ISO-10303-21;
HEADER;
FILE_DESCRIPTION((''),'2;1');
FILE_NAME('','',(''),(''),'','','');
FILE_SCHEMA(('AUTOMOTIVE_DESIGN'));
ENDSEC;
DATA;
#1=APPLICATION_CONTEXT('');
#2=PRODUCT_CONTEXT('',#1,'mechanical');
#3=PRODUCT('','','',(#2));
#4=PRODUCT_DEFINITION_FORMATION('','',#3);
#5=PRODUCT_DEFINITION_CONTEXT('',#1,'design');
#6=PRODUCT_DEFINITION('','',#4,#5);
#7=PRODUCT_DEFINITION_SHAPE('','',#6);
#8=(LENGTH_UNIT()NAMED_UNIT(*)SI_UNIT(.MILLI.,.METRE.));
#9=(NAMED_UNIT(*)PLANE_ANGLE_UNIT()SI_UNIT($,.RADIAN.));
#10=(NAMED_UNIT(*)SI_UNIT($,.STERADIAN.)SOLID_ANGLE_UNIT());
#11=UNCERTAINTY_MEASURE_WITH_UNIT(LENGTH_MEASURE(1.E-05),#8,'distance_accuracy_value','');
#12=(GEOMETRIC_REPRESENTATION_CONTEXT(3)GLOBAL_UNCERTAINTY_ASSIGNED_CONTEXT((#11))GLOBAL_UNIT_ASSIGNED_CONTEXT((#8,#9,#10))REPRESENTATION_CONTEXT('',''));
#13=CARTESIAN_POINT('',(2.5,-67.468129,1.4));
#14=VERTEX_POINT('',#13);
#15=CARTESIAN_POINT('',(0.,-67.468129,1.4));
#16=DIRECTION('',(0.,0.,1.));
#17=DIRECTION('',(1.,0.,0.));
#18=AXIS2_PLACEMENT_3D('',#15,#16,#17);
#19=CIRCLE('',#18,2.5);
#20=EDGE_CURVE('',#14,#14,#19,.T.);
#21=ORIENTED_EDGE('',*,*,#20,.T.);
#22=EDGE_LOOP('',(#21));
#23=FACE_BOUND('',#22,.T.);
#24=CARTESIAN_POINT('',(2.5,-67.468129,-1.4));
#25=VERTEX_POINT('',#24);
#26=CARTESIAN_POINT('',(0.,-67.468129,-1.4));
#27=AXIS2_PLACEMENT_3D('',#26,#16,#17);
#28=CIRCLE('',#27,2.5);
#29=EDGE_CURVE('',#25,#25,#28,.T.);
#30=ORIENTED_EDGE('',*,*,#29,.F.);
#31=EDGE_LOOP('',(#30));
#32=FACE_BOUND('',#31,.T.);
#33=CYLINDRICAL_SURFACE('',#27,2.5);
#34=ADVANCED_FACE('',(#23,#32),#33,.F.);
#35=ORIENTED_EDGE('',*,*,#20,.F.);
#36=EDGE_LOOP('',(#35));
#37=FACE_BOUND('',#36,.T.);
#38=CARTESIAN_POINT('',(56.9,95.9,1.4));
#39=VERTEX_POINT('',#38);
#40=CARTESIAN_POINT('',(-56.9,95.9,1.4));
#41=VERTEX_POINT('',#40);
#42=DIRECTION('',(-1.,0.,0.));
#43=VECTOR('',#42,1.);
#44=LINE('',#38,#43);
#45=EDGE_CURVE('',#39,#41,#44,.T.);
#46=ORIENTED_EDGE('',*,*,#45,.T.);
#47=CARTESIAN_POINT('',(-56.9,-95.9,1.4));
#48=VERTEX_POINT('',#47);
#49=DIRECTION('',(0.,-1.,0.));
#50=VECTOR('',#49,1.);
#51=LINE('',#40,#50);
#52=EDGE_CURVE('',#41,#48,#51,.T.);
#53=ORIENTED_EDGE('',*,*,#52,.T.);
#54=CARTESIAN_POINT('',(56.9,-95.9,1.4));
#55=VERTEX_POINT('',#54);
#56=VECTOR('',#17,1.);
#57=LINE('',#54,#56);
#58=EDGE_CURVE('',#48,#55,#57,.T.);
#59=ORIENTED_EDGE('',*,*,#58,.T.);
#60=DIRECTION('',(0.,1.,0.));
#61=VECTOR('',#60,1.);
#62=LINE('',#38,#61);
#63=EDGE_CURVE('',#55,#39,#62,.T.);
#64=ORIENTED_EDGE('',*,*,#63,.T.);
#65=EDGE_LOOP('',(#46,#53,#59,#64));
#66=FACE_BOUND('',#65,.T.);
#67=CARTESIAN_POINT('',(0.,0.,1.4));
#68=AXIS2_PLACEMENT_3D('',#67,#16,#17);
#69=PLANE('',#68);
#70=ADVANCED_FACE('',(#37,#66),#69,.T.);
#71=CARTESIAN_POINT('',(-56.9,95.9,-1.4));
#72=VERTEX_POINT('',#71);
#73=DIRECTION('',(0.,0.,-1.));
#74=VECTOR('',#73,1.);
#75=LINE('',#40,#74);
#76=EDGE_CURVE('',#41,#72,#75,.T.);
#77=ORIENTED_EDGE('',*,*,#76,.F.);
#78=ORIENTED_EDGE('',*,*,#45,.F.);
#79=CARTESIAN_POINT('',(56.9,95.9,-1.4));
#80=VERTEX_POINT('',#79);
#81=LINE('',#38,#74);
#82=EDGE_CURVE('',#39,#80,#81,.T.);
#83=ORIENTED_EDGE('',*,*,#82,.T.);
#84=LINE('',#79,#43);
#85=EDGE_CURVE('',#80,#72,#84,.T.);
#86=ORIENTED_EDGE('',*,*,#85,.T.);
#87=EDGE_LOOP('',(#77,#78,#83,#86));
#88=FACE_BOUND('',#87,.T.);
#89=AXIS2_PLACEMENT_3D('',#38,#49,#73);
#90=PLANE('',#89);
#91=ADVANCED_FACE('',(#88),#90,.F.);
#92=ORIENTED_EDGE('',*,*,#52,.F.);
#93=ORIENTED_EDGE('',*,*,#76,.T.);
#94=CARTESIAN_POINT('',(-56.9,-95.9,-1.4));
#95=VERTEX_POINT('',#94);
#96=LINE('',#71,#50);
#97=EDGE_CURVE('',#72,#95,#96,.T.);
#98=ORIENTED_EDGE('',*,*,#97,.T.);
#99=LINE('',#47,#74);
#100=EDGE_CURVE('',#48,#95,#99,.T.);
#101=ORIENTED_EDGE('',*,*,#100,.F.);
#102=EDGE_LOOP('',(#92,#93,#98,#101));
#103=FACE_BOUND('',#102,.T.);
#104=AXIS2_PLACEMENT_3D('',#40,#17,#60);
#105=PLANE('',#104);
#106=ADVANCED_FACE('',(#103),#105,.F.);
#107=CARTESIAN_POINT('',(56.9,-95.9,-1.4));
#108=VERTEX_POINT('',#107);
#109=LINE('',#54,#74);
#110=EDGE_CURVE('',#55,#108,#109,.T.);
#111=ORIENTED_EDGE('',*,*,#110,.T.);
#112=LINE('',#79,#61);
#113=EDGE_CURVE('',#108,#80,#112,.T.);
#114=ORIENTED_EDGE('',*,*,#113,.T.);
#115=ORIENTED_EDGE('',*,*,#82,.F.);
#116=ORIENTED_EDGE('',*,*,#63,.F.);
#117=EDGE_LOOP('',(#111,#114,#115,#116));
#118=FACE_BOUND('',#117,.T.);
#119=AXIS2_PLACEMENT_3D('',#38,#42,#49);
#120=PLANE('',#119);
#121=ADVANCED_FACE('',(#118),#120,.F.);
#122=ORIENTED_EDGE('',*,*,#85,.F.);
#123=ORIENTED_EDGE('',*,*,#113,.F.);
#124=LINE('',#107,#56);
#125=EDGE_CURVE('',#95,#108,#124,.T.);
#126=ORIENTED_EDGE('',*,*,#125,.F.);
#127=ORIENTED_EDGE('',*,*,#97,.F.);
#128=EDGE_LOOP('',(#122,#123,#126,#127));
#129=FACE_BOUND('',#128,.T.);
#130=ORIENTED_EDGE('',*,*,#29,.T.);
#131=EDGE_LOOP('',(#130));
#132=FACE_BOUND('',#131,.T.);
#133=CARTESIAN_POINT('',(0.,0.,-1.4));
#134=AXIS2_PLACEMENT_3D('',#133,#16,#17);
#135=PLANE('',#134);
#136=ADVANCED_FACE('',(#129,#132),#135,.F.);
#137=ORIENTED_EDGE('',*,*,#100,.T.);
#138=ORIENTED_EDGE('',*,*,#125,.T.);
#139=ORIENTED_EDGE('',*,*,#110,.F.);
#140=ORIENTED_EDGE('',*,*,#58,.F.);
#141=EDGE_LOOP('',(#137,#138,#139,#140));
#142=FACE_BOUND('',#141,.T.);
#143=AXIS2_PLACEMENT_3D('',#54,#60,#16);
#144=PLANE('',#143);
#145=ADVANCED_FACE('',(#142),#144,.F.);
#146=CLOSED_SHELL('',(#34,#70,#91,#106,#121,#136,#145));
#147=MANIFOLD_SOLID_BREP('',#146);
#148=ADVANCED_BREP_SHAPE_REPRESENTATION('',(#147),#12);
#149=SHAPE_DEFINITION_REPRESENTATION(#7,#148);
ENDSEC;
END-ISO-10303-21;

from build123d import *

# Parameters (mm, degrees)
ESBO_O1_W                = 191.8
ESBO_O1_H                = 113.8
RESSALTO_EXTRUS_O1_DEPTH = 1.4
ESBO_O2_R                = 2.5
CORTE_EXTRUS_O1_DEPTH    = 2.8


with BuildPart() as part:
    # Esboço1 → Ressalto-extrusão1 (new, symmetric)
    with BuildSketch(Plane(origin=(0, 0, 0), x_dir=(0, 1, 0), z_dir=(0, 0, 1))):
        Rectangle(ESBO_O1_W, ESBO_O1_H)
    extrude(amount=RESSALTO_EXTRUS_O1_DEPTH, both=True)

    # Esboço2 → Corte-extrusão1 (cut)
    with BuildSketch(Plane.XY.offset(1.4)):
        with Locations((0, -67.468129393)):
            Circle(ESBO_O2_R)
    extrude(amount=-CORTE_EXTRUS_O1_DEPTH, mode=Mode.SUBTRACT)


solid = part.part
